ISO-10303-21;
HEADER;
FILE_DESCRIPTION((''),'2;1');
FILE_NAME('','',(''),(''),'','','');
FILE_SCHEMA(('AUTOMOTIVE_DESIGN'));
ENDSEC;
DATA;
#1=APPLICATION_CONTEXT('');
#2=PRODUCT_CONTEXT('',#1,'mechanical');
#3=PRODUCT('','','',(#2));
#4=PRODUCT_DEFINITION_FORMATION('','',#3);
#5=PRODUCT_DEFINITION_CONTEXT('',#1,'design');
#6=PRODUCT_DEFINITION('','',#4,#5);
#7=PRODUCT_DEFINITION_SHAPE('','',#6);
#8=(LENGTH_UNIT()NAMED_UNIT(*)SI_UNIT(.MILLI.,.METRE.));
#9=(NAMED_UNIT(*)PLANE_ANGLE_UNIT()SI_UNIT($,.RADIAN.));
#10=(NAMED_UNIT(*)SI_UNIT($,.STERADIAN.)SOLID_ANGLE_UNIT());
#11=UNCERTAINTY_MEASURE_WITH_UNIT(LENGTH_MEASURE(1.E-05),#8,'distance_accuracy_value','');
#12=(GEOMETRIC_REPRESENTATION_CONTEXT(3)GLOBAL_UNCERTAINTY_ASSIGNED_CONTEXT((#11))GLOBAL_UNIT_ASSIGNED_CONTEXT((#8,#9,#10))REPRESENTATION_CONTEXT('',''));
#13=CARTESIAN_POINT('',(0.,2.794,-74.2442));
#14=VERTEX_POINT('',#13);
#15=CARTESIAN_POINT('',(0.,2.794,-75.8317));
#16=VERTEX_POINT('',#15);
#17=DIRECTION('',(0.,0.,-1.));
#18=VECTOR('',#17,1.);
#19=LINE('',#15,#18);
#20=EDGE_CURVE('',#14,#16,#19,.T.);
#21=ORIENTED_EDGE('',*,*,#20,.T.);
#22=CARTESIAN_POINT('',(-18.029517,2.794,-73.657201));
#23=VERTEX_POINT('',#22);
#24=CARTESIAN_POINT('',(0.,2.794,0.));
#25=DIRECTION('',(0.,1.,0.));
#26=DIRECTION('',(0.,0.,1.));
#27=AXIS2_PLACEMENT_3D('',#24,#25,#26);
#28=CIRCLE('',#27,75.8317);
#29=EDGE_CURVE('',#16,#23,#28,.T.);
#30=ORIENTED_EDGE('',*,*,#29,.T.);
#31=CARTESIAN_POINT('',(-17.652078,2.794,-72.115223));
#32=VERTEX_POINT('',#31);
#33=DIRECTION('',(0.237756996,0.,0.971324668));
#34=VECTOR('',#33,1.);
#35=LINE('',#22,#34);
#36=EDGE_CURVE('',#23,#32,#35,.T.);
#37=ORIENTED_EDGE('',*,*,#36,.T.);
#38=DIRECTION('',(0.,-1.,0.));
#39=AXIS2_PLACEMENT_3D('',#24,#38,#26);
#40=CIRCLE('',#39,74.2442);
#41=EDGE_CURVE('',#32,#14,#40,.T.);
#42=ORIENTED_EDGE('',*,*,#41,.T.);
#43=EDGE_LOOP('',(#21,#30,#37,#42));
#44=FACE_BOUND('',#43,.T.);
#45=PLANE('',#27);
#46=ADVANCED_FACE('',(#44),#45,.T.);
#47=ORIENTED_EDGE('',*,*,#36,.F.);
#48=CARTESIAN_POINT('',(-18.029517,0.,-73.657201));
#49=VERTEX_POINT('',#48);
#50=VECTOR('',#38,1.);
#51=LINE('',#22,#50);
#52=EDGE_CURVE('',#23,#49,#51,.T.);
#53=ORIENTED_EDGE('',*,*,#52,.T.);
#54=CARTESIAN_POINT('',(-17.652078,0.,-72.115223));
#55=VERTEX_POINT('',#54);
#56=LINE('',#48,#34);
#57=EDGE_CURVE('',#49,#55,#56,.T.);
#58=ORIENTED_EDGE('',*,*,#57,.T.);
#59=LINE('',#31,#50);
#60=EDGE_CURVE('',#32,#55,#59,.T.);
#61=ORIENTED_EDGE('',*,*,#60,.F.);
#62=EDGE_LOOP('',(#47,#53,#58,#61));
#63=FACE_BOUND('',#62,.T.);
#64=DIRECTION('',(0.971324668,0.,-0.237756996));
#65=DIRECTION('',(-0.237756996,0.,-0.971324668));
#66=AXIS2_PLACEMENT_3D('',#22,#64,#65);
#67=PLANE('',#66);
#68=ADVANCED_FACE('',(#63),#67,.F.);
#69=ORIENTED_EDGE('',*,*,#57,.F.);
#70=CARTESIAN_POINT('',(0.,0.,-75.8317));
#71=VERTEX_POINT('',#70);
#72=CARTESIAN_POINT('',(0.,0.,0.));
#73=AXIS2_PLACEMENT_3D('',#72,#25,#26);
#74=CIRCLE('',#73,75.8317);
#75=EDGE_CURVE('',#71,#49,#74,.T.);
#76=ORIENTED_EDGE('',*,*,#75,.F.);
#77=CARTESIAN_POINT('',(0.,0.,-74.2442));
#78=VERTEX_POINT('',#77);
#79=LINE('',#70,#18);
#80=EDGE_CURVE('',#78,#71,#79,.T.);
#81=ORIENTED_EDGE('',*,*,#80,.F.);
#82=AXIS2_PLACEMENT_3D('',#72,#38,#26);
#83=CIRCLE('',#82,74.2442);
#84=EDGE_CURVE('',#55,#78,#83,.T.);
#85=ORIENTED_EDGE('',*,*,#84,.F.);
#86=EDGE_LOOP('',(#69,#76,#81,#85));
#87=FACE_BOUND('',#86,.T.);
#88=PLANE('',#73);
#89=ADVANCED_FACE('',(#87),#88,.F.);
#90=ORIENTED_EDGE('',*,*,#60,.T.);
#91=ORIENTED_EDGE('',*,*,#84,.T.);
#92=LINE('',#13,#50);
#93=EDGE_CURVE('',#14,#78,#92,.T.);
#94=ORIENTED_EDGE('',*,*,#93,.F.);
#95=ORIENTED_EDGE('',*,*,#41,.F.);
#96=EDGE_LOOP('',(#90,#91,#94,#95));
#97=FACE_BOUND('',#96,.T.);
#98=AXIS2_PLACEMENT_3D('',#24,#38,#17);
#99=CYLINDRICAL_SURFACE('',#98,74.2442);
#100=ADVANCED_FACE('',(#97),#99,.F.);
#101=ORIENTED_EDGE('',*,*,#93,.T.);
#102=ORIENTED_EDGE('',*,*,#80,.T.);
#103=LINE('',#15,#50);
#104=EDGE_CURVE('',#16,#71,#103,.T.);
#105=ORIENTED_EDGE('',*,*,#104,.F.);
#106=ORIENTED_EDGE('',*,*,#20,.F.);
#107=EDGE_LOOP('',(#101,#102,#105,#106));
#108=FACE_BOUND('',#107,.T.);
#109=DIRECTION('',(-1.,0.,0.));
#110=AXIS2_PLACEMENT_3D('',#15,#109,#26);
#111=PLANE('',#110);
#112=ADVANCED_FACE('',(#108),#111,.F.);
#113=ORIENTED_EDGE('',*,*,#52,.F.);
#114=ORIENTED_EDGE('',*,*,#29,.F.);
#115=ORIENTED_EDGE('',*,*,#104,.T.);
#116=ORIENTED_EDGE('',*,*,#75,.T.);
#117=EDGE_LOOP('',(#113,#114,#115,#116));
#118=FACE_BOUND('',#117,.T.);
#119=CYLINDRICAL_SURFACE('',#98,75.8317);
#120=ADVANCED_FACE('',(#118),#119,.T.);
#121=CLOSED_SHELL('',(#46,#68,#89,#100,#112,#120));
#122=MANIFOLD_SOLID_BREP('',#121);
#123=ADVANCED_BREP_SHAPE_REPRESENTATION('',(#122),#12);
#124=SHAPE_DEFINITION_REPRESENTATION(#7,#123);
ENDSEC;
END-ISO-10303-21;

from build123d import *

# Parameters (mm, degrees)
BOSS_EXTRUDE1_DEPTH = 2.794


with BuildPart() as part:
    # Sketch1 → Boss-Extrude1 (new body)
    with BuildSketch(Plane(origin=(0, 0, 0), x_dir=(1, 0, 0), z_dir=(0, 1, 0))):
        with BuildLine():
            Line((-18.0295172, 73.657200832), (-17.652077968, 72.115222922))
            ThreePointArc((-17.652077968, 72.115222922), (-8.89, 73.710034145), (0, 74.2442))
            Line((0, 74.2442), (0, 75.8317))
            ThreePointArc((0, 75.8317), (-9.080087239, 75.286112535), (-18.0295172, 73.657200832))
        make_face()
    extrude(amount=BOSS_EXTRUDE1_DEPTH)


solid = part.part
